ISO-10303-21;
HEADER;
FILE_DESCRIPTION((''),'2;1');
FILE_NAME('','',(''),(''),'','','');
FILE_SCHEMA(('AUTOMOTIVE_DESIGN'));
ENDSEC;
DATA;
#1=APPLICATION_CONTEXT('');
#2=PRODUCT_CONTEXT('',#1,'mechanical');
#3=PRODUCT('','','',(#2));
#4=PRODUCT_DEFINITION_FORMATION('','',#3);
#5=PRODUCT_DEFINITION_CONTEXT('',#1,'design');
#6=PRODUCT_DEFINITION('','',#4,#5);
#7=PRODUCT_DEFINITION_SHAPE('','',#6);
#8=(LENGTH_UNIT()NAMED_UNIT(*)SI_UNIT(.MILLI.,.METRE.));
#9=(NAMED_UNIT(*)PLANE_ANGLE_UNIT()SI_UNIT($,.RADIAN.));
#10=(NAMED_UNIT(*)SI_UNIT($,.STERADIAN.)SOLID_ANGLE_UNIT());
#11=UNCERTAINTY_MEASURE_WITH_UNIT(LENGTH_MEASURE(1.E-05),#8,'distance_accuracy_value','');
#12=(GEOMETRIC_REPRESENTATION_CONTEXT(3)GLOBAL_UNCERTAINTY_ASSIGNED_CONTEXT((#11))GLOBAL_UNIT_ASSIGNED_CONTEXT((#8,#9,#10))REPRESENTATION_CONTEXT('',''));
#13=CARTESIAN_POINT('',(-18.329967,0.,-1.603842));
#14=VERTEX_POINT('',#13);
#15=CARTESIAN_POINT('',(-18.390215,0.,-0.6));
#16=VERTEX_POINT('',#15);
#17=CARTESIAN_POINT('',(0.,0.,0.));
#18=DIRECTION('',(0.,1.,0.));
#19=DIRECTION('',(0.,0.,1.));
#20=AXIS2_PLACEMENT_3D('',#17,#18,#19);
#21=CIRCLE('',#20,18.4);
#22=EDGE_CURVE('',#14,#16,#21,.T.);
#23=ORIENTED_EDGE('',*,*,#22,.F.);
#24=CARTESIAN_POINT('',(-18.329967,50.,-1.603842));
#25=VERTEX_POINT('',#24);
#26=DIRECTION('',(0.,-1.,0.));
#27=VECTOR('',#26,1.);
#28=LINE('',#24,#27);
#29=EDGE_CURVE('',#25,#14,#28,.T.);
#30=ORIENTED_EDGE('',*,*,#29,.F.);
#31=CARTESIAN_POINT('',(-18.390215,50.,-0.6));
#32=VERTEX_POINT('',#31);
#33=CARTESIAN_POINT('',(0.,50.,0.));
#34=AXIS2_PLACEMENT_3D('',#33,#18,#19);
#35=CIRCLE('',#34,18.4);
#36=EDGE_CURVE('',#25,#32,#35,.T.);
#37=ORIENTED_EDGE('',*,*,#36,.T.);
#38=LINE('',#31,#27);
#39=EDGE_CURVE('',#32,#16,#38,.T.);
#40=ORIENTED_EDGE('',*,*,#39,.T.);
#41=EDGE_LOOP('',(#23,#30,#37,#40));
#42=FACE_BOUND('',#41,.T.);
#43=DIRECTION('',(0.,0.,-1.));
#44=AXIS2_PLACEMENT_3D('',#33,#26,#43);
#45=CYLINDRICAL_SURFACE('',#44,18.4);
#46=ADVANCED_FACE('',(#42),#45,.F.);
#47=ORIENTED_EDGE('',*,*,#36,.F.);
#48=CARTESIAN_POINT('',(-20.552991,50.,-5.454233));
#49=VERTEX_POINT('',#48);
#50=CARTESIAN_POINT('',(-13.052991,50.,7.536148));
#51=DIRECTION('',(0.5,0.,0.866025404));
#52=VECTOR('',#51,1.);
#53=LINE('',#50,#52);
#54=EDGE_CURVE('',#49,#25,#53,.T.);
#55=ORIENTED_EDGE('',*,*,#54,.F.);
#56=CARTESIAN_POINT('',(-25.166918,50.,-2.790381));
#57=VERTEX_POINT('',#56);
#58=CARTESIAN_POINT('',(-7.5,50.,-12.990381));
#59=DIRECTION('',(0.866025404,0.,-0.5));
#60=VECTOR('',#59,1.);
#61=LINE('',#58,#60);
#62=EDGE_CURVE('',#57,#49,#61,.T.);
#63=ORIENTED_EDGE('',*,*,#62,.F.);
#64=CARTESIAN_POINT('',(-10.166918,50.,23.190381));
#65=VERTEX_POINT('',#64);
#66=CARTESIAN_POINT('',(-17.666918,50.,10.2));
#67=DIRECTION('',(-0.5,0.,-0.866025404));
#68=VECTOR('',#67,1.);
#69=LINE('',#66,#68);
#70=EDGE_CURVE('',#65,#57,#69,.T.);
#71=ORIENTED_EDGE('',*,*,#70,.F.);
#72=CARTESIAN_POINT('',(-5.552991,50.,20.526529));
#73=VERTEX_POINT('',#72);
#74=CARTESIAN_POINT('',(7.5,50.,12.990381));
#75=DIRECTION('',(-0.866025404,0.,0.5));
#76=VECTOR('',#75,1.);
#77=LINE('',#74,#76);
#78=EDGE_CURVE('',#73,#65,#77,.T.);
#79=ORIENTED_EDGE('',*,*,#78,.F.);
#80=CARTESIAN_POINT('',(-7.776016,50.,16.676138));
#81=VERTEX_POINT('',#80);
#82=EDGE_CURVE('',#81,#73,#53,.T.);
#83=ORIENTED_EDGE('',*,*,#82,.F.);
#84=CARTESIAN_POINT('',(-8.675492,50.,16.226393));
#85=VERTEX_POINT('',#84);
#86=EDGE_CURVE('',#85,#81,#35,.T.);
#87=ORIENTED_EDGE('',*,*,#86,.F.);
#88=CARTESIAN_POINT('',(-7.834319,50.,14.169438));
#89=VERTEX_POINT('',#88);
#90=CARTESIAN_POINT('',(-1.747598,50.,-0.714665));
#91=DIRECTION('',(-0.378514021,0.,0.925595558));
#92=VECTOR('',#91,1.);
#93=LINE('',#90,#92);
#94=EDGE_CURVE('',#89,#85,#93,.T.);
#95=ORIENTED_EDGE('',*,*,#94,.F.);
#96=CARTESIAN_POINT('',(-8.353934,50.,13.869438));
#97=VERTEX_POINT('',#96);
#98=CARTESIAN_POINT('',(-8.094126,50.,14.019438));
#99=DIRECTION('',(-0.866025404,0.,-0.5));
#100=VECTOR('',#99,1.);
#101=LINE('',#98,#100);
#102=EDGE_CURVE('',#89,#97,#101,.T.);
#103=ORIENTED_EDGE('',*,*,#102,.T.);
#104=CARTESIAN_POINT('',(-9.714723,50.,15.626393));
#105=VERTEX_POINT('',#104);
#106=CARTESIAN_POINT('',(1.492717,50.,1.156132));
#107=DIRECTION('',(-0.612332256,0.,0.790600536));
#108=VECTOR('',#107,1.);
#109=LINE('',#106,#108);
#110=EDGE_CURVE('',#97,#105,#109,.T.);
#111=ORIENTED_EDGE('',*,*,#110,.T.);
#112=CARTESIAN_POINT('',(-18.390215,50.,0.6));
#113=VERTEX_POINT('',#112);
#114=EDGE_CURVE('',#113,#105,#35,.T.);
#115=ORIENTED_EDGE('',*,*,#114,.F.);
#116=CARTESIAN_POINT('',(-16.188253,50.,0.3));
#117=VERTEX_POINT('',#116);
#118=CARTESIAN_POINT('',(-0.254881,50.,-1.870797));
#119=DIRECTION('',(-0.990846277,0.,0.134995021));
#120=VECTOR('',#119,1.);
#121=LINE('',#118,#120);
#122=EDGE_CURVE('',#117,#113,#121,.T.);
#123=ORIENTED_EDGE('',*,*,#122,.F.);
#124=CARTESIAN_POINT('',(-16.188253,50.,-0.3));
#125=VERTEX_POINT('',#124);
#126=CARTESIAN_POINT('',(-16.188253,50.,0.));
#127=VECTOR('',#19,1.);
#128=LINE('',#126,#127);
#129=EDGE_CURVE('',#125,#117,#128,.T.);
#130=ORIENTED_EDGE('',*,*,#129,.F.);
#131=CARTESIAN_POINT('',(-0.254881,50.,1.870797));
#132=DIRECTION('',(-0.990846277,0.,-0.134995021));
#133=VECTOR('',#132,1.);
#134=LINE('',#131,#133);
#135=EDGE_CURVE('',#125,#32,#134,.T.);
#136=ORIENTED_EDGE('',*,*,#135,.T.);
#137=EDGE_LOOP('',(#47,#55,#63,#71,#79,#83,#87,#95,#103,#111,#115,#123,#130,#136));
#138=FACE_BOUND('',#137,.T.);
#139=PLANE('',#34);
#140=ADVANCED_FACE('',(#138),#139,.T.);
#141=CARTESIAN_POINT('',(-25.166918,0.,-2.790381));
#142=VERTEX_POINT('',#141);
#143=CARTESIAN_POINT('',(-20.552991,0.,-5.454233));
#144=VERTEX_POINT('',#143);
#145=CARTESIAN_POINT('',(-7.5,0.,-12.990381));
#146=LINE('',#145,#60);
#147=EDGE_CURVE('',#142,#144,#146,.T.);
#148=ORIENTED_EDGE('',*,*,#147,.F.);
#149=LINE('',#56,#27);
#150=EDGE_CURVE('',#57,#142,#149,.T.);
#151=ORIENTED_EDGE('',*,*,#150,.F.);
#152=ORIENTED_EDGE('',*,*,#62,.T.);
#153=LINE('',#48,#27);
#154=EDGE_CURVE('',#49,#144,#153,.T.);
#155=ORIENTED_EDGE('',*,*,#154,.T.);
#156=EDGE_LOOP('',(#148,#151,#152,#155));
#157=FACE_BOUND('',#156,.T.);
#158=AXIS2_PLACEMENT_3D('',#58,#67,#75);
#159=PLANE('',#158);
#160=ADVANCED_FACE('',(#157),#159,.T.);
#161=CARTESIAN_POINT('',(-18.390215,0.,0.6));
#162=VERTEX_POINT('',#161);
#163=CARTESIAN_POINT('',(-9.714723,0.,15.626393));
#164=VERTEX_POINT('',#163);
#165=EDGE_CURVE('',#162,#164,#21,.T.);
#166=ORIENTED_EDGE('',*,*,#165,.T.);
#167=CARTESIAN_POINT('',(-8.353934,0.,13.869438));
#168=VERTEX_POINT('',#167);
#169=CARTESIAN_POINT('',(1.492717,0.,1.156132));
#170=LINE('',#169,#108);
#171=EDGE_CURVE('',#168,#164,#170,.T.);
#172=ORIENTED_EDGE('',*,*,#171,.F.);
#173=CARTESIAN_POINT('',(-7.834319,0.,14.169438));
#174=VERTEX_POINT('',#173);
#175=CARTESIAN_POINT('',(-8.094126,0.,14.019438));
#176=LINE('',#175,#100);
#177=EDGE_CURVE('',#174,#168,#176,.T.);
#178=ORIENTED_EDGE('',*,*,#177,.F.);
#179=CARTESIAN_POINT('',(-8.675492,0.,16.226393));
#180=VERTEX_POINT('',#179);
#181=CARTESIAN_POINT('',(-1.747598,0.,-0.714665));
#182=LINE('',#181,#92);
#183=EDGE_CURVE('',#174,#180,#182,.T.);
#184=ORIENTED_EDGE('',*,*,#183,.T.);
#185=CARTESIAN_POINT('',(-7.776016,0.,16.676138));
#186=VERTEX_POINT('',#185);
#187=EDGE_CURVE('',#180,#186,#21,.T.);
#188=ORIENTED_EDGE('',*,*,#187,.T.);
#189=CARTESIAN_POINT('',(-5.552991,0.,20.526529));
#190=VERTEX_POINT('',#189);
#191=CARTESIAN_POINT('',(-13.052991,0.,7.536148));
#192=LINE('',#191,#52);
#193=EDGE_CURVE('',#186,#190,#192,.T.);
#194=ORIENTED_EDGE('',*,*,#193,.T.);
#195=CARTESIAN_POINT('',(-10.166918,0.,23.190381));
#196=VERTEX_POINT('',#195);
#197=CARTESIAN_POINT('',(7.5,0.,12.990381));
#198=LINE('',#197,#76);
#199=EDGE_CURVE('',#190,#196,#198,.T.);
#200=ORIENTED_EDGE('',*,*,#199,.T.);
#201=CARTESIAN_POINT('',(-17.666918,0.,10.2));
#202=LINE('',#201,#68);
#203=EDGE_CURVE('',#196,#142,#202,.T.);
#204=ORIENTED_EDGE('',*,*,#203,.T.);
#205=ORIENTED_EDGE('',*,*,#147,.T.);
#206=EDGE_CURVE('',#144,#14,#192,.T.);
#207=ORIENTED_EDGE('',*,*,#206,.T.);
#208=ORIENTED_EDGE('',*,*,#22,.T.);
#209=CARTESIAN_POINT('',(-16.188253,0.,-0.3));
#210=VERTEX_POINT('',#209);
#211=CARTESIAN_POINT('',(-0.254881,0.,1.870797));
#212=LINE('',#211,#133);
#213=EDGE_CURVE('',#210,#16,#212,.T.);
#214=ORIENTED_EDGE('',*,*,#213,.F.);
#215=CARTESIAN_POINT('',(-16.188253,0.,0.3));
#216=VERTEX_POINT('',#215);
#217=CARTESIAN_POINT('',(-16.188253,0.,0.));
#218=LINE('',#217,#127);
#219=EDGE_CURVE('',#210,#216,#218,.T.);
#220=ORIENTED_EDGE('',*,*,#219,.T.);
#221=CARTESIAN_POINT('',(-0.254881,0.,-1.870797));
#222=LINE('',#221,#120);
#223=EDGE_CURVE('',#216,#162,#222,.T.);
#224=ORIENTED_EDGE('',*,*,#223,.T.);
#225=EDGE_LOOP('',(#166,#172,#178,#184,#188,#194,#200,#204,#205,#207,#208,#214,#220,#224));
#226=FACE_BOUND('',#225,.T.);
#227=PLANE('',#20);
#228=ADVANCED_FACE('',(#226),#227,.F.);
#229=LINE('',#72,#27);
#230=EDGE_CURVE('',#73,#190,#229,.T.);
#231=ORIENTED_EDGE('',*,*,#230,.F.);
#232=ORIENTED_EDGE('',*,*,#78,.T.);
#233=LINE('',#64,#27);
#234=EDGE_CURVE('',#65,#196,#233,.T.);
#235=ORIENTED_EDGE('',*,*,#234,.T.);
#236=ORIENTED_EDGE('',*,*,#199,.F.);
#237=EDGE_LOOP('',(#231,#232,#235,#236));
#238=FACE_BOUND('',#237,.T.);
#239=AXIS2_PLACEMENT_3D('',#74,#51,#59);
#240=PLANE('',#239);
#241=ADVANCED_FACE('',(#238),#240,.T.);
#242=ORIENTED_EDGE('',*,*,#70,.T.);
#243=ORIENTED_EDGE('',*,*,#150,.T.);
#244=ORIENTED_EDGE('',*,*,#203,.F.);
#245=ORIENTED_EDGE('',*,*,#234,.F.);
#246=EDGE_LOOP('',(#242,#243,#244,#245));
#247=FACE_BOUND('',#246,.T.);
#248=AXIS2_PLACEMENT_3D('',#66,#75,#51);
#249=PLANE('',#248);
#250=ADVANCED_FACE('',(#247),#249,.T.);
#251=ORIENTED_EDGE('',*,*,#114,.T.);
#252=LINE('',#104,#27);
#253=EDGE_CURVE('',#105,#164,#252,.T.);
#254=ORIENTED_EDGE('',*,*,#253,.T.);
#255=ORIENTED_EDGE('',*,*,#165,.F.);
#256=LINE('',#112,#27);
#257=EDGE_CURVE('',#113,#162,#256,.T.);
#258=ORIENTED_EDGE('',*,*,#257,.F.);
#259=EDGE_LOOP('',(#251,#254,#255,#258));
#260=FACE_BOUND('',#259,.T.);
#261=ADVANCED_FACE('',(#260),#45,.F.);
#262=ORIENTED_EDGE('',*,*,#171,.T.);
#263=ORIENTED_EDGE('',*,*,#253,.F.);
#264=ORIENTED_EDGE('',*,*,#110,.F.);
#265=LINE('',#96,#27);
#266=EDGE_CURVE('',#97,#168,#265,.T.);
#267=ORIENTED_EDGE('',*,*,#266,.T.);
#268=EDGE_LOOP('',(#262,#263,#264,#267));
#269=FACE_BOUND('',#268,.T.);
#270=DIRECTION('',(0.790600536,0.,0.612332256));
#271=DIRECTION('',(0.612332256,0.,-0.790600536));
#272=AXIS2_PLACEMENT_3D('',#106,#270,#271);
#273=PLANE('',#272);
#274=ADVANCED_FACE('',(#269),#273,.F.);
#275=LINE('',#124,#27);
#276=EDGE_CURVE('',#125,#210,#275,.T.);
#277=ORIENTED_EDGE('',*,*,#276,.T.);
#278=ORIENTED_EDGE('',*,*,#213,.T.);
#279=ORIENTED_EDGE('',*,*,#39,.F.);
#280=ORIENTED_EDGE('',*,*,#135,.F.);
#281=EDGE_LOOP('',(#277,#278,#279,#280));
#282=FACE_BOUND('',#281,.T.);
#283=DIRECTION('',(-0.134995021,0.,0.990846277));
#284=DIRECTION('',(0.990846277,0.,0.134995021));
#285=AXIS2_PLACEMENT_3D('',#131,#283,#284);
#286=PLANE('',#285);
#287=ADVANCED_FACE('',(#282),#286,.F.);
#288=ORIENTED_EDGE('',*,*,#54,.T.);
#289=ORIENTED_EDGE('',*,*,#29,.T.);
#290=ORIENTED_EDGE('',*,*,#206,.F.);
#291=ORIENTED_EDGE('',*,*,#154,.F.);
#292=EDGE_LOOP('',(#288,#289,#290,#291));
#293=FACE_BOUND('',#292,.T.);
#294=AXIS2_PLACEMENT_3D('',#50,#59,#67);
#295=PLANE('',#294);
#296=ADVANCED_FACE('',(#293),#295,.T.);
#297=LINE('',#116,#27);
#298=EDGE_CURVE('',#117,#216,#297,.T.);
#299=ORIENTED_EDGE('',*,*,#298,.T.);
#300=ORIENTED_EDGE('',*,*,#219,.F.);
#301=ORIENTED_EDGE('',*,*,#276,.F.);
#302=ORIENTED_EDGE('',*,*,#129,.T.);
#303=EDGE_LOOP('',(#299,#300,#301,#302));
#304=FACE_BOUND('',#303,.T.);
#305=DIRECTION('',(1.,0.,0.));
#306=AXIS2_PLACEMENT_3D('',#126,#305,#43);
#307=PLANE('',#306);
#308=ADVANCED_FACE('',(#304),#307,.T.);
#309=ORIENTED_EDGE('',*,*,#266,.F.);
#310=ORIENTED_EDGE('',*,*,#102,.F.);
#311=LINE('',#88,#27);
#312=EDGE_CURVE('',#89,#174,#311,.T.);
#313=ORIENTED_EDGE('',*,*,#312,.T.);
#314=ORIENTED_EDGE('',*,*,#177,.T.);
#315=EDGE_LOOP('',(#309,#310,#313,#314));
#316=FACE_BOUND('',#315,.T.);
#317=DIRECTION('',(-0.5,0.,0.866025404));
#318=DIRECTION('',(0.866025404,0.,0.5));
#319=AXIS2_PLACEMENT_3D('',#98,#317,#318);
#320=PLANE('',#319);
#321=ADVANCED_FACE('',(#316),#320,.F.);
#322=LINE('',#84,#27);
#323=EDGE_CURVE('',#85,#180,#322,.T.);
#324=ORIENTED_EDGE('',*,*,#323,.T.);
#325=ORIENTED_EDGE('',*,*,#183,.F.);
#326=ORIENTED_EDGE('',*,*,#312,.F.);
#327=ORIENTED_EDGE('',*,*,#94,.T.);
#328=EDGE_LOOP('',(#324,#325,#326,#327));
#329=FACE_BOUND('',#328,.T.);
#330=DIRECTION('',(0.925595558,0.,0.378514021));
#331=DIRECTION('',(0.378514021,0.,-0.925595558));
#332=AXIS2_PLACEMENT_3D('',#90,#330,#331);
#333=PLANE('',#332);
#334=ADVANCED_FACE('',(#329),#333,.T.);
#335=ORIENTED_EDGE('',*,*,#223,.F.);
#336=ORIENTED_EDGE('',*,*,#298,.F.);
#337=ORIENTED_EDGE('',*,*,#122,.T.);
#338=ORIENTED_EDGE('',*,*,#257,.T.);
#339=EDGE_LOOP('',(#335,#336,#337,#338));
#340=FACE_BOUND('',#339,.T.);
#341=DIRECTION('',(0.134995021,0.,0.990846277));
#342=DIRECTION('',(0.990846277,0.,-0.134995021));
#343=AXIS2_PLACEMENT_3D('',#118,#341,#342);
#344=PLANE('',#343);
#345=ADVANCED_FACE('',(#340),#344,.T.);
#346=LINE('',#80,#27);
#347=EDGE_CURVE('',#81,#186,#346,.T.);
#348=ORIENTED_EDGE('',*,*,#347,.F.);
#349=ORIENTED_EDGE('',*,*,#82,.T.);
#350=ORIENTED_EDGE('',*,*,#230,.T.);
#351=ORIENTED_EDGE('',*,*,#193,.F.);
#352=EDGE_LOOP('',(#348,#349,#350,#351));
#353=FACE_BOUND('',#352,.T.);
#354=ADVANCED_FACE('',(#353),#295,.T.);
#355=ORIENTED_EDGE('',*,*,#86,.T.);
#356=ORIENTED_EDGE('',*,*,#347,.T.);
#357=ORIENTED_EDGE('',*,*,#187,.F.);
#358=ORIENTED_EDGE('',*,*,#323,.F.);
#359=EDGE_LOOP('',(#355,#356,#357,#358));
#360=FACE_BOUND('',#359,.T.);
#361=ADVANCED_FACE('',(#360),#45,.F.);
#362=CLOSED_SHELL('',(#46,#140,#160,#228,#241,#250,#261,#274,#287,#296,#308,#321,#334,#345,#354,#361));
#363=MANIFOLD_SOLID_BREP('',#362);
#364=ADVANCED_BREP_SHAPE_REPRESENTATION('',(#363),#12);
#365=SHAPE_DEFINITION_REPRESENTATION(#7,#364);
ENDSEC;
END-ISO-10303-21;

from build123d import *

# Parameters (mm, degrees)
BOSS_EXTRUDE1_DEPTH = 50


with BuildPart() as part:
    # Sketch1 → Boss-Extrude1 (new body)
    with BuildSketch(Plane(origin=(0, 0, 0), x_dir=(1, 0, 0), z_dir=(0, 1, 0))):
        with BuildLine():
            Line((-16.188252967, -0.3), (-16.188252967, 0.3))
            Line((-16.188252967, 0.3), (-18.390214789, 0.6))
            ThreePointArc((-18.390214789, 0.6), (-18.366950287, 1.102332591), (-18.329967032, 1.603841822))
            Line((-18.329967032, 1.603841822), (-20.552991394, 5.454232962))
            Line((-20.552991394, 5.454232962), (-25.166918237, 2.790381057))
            Line((-25.166918237, 2.790381057), (-10.166918237, -23.190381057))
            Line((-10.166918237, -23.190381057), (-5.552991394, -20.526529152))
            Line((-5.552991394, -20.526529152), (-7.776015755, -16.676138011))
            ThreePointArc((-7.776015755, -16.676138011), (-8.228827116, -16.457411834), (-8.675492152, -16.226393189))
            Line((-8.675492152, -16.226393189), (-7.834318863, -14.169438313))
            Line((-7.834318863, -14.169438313), (-8.353934105, -13.869438313))
            Line((-8.353934105, -13.869438313), (-9.714722637, -15.626393189))
            ThreePointArc((-9.714722637, -15.626393189), (-15.93486743, -9.2), (-18.390214789, -0.6))
            Line((-18.390214789, -0.6), (-16.188252967, -0.3))
        make_face()
    extrude(amount=BOSS_EXTRUDE1_DEPTH)


solid = part.part
